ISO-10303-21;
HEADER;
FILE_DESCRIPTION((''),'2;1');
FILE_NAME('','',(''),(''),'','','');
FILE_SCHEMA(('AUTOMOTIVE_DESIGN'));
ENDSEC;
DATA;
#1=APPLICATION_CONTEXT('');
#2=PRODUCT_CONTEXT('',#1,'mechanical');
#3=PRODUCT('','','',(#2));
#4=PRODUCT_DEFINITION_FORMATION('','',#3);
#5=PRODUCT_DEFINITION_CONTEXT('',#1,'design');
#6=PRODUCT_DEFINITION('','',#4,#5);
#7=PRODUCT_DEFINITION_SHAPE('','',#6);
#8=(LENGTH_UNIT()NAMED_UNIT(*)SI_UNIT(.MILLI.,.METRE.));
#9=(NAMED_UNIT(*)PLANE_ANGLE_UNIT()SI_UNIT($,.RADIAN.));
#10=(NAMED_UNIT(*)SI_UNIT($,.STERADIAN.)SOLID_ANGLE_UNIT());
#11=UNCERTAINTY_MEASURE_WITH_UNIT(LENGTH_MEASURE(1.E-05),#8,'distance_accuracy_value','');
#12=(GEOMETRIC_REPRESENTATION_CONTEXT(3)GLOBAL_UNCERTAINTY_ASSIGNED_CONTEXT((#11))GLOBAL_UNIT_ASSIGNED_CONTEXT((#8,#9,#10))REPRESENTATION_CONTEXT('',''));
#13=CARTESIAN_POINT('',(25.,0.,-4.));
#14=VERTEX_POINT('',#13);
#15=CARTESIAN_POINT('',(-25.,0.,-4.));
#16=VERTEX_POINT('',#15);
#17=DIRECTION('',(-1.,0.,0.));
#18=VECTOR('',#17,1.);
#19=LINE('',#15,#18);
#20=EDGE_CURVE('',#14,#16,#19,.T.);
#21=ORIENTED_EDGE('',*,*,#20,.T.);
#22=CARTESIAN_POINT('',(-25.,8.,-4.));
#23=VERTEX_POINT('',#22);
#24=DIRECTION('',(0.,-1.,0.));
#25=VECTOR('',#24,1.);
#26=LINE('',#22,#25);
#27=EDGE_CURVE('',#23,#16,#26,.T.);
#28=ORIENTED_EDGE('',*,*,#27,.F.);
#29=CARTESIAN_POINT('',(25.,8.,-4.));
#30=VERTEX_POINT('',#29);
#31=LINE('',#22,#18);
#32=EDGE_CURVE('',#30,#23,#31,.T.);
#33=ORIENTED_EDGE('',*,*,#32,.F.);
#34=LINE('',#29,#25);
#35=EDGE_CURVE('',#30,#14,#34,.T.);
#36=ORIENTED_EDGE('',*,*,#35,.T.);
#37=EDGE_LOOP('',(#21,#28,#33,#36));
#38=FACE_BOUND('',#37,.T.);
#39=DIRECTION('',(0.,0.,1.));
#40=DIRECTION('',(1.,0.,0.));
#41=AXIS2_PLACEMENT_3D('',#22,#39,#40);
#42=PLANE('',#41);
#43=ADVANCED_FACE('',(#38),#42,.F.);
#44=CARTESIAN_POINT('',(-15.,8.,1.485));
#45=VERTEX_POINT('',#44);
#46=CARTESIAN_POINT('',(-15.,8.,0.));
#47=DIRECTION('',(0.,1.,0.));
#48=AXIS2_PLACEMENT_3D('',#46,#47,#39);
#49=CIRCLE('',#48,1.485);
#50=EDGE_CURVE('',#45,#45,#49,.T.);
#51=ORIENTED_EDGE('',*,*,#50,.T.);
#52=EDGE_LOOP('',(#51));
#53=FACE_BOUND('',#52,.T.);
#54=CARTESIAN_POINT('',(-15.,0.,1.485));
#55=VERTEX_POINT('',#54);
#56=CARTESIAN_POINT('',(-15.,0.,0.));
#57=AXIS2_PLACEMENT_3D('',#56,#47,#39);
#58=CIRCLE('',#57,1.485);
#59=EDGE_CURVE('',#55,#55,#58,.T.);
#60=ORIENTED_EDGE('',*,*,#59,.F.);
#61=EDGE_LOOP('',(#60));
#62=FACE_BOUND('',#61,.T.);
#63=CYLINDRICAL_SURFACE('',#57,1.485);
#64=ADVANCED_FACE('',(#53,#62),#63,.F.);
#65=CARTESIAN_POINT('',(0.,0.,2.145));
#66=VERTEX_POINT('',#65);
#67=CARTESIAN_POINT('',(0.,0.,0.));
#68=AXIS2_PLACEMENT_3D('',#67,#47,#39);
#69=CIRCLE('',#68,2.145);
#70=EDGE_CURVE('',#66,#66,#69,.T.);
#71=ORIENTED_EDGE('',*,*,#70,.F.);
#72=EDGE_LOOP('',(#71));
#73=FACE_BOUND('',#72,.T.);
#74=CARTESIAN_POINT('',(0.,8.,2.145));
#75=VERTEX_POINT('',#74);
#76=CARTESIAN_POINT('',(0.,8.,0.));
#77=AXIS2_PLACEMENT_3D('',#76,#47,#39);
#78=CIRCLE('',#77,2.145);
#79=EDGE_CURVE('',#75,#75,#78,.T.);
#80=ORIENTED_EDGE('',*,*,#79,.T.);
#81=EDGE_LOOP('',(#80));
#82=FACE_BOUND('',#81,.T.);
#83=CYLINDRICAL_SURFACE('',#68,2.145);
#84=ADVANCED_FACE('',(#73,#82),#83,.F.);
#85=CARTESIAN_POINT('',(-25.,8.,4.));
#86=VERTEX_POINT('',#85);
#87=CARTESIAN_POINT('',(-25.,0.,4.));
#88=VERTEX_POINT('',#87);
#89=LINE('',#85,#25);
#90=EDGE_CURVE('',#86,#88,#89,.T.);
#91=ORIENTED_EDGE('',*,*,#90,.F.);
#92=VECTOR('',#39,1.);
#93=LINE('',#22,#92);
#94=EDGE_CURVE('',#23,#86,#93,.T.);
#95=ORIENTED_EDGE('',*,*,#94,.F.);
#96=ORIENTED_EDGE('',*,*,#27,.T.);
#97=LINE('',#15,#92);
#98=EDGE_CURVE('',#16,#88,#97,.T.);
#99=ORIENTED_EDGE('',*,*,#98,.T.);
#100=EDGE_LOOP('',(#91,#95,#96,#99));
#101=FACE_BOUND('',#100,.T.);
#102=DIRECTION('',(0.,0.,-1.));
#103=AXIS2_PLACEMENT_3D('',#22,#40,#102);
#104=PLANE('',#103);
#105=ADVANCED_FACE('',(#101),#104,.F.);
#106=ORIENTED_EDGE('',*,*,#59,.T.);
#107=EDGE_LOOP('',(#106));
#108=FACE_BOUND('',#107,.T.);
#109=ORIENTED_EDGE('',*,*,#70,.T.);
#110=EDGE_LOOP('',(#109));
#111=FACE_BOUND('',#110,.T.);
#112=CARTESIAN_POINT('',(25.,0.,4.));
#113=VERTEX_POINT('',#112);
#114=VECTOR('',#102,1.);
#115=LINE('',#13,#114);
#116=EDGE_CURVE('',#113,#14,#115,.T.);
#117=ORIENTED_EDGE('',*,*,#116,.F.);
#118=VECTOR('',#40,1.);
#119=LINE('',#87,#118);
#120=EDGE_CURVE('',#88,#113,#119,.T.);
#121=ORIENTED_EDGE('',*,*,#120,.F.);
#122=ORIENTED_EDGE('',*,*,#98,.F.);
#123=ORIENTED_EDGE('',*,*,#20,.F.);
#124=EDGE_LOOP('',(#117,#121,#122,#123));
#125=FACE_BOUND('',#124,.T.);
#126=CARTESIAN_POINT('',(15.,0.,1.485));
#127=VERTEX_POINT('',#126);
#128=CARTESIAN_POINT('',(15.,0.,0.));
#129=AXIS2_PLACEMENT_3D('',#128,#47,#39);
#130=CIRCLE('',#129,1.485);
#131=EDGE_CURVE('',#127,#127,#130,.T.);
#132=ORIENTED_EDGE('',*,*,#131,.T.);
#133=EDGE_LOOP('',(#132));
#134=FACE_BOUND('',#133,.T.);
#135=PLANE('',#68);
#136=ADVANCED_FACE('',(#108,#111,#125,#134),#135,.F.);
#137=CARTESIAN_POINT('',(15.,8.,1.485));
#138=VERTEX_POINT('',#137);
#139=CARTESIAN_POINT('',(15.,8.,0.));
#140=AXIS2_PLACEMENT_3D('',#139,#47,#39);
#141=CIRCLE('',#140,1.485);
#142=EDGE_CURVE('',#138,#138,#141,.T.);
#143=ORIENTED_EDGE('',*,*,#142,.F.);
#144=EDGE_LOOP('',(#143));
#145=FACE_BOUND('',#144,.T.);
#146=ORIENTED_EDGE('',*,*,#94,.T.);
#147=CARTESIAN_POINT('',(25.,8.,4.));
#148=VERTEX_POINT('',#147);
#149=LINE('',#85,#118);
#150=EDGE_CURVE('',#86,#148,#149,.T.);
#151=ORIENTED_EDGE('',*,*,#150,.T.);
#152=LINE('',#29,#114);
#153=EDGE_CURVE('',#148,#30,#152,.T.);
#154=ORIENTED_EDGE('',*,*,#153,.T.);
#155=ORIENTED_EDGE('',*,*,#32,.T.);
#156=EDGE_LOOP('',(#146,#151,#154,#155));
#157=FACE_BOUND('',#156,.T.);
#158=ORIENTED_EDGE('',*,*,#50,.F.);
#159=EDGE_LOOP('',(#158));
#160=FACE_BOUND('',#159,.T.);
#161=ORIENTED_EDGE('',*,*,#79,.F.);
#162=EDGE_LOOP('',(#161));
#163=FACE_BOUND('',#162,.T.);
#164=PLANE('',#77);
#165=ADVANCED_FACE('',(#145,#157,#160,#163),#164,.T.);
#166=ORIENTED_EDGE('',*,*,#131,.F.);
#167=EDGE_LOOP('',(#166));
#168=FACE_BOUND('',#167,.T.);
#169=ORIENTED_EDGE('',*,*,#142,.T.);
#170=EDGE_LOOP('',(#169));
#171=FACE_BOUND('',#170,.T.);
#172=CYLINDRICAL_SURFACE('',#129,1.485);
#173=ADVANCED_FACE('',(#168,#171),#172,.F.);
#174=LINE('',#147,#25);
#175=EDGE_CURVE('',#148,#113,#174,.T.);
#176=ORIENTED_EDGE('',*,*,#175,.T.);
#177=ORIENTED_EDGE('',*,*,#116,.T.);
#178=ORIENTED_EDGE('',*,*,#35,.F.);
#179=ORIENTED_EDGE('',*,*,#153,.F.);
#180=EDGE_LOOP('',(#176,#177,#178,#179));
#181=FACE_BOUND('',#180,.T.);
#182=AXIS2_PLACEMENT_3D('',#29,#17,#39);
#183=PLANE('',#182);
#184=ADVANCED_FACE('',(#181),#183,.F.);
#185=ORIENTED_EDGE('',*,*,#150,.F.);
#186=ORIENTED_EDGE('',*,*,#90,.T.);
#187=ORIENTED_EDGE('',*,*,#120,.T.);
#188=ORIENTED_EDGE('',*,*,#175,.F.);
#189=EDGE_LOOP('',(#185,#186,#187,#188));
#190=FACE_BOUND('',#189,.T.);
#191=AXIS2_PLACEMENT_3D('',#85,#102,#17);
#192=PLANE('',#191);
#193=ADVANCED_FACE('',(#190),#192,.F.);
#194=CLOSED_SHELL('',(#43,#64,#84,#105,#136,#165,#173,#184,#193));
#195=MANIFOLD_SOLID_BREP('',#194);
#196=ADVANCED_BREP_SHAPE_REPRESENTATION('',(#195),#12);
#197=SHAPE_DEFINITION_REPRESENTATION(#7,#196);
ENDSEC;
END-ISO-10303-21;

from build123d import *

# Parameters (mm, degrees)
SKETCH1_W           = 50
SKETCH1_H           = 8
BOSS_EXTRUDE1_DEPTH = 8
SKETCH2_R           = 2.145
SKETCH2_R_2         = 1.485
CUT_EXTRUDE1_DEPTH  = 8


with BuildPart() as part:
    # Sketch1 → Boss-Extrude1 (new body)
    with BuildSketch(Plane(origin=(0, 0, 0), x_dir=(1, 0, 0), z_dir=(0, 1, 0))):
        Rectangle(SKETCH1_W, SKETCH1_H)
    extrude(amount=BOSS_EXTRUDE1_DEPTH)

    # Sketch2 → Cut-Extrude1 (cut)
    with BuildSketch(Plane(origin=(0, 8, 0), x_dir=(1, 0, 0), z_dir=(0, 1, 0))):
        with Locations(Location((0, 0, 0), (0, 0, 270))):
            Circle(SKETCH2_R)
        with Locations(Location((-15, 0, 0), (0, 0, 270))):
            Circle(SKETCH2_R_2)
        with Locations(Location((15, 0, 0), (0, 0, 270))):
            Circle(SKETCH2_R_2)
    extrude(amount=-CUT_EXTRUDE1_DEPTH, mode=Mode.SUBTRACT)


solid = part.part
